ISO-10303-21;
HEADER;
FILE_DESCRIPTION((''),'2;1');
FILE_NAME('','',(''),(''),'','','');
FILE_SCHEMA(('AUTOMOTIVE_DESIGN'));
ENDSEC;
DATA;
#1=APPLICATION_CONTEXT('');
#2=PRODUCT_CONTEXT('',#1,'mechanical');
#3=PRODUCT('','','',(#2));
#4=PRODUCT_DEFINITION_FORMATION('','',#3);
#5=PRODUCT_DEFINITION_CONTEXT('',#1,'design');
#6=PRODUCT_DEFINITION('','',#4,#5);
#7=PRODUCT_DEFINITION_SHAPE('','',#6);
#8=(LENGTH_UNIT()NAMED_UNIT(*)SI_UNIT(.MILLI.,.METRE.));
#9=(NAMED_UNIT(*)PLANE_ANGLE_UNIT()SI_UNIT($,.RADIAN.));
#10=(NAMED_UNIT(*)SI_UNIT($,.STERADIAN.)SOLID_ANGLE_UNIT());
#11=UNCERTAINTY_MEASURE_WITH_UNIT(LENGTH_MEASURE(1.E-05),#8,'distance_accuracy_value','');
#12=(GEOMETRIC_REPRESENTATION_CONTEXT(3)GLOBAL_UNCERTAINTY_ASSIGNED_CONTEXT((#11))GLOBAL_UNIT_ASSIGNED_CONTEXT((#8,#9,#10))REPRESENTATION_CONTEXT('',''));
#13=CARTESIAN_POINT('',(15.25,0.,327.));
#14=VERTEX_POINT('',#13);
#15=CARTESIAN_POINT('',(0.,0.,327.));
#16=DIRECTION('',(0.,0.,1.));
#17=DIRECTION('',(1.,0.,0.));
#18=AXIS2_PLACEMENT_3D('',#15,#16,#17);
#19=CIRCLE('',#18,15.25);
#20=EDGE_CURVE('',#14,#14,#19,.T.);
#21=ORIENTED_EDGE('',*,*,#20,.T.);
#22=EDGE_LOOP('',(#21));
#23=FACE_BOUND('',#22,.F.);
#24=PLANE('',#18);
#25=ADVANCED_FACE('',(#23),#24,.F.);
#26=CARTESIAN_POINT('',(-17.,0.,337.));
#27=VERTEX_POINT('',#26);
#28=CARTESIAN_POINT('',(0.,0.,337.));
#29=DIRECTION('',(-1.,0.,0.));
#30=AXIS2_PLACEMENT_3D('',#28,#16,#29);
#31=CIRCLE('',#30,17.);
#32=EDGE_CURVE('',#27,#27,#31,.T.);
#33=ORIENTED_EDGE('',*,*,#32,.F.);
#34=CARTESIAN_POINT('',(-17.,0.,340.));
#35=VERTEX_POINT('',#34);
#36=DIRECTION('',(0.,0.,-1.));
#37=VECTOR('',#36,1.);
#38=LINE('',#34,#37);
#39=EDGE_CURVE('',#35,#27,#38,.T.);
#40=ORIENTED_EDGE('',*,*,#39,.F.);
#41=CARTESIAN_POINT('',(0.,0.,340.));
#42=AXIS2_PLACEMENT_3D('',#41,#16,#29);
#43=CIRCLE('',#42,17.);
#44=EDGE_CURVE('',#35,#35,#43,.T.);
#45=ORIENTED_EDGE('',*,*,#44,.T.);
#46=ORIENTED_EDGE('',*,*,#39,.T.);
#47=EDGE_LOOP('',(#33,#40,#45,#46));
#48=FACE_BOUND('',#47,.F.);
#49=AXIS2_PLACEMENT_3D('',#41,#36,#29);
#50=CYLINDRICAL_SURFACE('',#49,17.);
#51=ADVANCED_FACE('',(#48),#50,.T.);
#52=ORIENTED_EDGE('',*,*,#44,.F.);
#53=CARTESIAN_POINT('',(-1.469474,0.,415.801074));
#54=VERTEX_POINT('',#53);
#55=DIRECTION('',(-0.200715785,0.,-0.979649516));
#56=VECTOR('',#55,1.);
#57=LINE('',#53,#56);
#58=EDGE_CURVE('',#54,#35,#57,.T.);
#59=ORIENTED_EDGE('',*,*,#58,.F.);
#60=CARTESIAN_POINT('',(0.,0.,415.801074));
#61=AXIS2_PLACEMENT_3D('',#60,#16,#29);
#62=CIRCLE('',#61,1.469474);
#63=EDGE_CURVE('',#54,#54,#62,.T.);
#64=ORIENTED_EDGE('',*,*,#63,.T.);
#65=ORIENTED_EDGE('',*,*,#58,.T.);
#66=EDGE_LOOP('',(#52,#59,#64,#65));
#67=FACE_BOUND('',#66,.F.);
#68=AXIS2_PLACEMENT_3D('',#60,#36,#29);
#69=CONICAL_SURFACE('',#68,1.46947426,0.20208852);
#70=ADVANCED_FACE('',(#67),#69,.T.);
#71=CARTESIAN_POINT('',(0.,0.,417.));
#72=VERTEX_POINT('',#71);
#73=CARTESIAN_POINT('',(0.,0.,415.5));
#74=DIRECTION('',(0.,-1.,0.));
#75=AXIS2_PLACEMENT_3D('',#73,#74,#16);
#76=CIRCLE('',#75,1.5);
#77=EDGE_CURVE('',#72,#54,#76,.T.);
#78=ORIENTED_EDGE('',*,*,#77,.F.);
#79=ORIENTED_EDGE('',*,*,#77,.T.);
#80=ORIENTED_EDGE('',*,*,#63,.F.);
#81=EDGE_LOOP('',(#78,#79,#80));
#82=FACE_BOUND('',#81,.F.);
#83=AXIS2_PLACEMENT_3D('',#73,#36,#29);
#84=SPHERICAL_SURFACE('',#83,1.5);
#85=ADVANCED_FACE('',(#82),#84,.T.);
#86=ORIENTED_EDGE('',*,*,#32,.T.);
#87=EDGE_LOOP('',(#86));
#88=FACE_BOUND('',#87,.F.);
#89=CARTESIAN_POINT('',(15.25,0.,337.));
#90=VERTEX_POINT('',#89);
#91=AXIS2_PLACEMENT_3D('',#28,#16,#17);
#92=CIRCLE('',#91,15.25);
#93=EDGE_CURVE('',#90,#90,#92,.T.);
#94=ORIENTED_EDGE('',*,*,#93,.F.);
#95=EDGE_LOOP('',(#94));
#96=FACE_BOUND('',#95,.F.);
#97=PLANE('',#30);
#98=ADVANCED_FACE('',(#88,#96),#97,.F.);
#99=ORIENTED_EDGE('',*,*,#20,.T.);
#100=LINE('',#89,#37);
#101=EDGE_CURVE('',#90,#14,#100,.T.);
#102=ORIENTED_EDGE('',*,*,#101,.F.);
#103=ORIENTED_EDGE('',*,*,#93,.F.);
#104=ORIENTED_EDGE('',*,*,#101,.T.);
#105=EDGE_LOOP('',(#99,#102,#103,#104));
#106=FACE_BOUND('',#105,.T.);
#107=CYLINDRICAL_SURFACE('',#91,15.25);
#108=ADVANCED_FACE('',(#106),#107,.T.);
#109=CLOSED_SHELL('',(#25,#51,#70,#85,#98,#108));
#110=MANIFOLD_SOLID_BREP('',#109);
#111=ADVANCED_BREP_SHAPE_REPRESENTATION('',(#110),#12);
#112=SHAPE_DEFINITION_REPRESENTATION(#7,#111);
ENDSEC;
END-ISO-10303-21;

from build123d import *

# Parameters (mm, degrees)
F1_R     = 15.25
F2_DEPTH = 10


with BuildPart() as f2:
    # F1 (on offset) → F2 (new body)
    with BuildSketch(Plane.XY.offset(337)):
        Circle(F1_R)
    extrude(amount=-F2_DEPTH)

    # F4 (on Front) → F5 (revolve)
    with BuildSketch(Plane.XZ):
        with BuildLine():
            ThreePointArc((0, 417), (-0.9482587677, 416.6622415022), (-1.4694742595, 415.801073746))
            ThreePointArc((-1.4694742595, 415.801073746), (-1.1622415022, 414.5517412323), (0, 414))
            Line((0, 414), (0, 417))
        make_face()
        with BuildLine():
            ThreePointArc((0, 414), (-1.1622415022, 414.5517412323), (-1.4694742595, 415.801073746))
            Line((-1.4694742595, 415.801073746), (-17, 340))
            Line((-17, 340), (-17, 337))
            Line((-17, 337), (0, 337))
            Line((0, 337), (0, 414))
        make_face()
    revolve(axis=Axis((0, 0, 452.3533742838), (0, 0, 1)))


solid = f2.part
